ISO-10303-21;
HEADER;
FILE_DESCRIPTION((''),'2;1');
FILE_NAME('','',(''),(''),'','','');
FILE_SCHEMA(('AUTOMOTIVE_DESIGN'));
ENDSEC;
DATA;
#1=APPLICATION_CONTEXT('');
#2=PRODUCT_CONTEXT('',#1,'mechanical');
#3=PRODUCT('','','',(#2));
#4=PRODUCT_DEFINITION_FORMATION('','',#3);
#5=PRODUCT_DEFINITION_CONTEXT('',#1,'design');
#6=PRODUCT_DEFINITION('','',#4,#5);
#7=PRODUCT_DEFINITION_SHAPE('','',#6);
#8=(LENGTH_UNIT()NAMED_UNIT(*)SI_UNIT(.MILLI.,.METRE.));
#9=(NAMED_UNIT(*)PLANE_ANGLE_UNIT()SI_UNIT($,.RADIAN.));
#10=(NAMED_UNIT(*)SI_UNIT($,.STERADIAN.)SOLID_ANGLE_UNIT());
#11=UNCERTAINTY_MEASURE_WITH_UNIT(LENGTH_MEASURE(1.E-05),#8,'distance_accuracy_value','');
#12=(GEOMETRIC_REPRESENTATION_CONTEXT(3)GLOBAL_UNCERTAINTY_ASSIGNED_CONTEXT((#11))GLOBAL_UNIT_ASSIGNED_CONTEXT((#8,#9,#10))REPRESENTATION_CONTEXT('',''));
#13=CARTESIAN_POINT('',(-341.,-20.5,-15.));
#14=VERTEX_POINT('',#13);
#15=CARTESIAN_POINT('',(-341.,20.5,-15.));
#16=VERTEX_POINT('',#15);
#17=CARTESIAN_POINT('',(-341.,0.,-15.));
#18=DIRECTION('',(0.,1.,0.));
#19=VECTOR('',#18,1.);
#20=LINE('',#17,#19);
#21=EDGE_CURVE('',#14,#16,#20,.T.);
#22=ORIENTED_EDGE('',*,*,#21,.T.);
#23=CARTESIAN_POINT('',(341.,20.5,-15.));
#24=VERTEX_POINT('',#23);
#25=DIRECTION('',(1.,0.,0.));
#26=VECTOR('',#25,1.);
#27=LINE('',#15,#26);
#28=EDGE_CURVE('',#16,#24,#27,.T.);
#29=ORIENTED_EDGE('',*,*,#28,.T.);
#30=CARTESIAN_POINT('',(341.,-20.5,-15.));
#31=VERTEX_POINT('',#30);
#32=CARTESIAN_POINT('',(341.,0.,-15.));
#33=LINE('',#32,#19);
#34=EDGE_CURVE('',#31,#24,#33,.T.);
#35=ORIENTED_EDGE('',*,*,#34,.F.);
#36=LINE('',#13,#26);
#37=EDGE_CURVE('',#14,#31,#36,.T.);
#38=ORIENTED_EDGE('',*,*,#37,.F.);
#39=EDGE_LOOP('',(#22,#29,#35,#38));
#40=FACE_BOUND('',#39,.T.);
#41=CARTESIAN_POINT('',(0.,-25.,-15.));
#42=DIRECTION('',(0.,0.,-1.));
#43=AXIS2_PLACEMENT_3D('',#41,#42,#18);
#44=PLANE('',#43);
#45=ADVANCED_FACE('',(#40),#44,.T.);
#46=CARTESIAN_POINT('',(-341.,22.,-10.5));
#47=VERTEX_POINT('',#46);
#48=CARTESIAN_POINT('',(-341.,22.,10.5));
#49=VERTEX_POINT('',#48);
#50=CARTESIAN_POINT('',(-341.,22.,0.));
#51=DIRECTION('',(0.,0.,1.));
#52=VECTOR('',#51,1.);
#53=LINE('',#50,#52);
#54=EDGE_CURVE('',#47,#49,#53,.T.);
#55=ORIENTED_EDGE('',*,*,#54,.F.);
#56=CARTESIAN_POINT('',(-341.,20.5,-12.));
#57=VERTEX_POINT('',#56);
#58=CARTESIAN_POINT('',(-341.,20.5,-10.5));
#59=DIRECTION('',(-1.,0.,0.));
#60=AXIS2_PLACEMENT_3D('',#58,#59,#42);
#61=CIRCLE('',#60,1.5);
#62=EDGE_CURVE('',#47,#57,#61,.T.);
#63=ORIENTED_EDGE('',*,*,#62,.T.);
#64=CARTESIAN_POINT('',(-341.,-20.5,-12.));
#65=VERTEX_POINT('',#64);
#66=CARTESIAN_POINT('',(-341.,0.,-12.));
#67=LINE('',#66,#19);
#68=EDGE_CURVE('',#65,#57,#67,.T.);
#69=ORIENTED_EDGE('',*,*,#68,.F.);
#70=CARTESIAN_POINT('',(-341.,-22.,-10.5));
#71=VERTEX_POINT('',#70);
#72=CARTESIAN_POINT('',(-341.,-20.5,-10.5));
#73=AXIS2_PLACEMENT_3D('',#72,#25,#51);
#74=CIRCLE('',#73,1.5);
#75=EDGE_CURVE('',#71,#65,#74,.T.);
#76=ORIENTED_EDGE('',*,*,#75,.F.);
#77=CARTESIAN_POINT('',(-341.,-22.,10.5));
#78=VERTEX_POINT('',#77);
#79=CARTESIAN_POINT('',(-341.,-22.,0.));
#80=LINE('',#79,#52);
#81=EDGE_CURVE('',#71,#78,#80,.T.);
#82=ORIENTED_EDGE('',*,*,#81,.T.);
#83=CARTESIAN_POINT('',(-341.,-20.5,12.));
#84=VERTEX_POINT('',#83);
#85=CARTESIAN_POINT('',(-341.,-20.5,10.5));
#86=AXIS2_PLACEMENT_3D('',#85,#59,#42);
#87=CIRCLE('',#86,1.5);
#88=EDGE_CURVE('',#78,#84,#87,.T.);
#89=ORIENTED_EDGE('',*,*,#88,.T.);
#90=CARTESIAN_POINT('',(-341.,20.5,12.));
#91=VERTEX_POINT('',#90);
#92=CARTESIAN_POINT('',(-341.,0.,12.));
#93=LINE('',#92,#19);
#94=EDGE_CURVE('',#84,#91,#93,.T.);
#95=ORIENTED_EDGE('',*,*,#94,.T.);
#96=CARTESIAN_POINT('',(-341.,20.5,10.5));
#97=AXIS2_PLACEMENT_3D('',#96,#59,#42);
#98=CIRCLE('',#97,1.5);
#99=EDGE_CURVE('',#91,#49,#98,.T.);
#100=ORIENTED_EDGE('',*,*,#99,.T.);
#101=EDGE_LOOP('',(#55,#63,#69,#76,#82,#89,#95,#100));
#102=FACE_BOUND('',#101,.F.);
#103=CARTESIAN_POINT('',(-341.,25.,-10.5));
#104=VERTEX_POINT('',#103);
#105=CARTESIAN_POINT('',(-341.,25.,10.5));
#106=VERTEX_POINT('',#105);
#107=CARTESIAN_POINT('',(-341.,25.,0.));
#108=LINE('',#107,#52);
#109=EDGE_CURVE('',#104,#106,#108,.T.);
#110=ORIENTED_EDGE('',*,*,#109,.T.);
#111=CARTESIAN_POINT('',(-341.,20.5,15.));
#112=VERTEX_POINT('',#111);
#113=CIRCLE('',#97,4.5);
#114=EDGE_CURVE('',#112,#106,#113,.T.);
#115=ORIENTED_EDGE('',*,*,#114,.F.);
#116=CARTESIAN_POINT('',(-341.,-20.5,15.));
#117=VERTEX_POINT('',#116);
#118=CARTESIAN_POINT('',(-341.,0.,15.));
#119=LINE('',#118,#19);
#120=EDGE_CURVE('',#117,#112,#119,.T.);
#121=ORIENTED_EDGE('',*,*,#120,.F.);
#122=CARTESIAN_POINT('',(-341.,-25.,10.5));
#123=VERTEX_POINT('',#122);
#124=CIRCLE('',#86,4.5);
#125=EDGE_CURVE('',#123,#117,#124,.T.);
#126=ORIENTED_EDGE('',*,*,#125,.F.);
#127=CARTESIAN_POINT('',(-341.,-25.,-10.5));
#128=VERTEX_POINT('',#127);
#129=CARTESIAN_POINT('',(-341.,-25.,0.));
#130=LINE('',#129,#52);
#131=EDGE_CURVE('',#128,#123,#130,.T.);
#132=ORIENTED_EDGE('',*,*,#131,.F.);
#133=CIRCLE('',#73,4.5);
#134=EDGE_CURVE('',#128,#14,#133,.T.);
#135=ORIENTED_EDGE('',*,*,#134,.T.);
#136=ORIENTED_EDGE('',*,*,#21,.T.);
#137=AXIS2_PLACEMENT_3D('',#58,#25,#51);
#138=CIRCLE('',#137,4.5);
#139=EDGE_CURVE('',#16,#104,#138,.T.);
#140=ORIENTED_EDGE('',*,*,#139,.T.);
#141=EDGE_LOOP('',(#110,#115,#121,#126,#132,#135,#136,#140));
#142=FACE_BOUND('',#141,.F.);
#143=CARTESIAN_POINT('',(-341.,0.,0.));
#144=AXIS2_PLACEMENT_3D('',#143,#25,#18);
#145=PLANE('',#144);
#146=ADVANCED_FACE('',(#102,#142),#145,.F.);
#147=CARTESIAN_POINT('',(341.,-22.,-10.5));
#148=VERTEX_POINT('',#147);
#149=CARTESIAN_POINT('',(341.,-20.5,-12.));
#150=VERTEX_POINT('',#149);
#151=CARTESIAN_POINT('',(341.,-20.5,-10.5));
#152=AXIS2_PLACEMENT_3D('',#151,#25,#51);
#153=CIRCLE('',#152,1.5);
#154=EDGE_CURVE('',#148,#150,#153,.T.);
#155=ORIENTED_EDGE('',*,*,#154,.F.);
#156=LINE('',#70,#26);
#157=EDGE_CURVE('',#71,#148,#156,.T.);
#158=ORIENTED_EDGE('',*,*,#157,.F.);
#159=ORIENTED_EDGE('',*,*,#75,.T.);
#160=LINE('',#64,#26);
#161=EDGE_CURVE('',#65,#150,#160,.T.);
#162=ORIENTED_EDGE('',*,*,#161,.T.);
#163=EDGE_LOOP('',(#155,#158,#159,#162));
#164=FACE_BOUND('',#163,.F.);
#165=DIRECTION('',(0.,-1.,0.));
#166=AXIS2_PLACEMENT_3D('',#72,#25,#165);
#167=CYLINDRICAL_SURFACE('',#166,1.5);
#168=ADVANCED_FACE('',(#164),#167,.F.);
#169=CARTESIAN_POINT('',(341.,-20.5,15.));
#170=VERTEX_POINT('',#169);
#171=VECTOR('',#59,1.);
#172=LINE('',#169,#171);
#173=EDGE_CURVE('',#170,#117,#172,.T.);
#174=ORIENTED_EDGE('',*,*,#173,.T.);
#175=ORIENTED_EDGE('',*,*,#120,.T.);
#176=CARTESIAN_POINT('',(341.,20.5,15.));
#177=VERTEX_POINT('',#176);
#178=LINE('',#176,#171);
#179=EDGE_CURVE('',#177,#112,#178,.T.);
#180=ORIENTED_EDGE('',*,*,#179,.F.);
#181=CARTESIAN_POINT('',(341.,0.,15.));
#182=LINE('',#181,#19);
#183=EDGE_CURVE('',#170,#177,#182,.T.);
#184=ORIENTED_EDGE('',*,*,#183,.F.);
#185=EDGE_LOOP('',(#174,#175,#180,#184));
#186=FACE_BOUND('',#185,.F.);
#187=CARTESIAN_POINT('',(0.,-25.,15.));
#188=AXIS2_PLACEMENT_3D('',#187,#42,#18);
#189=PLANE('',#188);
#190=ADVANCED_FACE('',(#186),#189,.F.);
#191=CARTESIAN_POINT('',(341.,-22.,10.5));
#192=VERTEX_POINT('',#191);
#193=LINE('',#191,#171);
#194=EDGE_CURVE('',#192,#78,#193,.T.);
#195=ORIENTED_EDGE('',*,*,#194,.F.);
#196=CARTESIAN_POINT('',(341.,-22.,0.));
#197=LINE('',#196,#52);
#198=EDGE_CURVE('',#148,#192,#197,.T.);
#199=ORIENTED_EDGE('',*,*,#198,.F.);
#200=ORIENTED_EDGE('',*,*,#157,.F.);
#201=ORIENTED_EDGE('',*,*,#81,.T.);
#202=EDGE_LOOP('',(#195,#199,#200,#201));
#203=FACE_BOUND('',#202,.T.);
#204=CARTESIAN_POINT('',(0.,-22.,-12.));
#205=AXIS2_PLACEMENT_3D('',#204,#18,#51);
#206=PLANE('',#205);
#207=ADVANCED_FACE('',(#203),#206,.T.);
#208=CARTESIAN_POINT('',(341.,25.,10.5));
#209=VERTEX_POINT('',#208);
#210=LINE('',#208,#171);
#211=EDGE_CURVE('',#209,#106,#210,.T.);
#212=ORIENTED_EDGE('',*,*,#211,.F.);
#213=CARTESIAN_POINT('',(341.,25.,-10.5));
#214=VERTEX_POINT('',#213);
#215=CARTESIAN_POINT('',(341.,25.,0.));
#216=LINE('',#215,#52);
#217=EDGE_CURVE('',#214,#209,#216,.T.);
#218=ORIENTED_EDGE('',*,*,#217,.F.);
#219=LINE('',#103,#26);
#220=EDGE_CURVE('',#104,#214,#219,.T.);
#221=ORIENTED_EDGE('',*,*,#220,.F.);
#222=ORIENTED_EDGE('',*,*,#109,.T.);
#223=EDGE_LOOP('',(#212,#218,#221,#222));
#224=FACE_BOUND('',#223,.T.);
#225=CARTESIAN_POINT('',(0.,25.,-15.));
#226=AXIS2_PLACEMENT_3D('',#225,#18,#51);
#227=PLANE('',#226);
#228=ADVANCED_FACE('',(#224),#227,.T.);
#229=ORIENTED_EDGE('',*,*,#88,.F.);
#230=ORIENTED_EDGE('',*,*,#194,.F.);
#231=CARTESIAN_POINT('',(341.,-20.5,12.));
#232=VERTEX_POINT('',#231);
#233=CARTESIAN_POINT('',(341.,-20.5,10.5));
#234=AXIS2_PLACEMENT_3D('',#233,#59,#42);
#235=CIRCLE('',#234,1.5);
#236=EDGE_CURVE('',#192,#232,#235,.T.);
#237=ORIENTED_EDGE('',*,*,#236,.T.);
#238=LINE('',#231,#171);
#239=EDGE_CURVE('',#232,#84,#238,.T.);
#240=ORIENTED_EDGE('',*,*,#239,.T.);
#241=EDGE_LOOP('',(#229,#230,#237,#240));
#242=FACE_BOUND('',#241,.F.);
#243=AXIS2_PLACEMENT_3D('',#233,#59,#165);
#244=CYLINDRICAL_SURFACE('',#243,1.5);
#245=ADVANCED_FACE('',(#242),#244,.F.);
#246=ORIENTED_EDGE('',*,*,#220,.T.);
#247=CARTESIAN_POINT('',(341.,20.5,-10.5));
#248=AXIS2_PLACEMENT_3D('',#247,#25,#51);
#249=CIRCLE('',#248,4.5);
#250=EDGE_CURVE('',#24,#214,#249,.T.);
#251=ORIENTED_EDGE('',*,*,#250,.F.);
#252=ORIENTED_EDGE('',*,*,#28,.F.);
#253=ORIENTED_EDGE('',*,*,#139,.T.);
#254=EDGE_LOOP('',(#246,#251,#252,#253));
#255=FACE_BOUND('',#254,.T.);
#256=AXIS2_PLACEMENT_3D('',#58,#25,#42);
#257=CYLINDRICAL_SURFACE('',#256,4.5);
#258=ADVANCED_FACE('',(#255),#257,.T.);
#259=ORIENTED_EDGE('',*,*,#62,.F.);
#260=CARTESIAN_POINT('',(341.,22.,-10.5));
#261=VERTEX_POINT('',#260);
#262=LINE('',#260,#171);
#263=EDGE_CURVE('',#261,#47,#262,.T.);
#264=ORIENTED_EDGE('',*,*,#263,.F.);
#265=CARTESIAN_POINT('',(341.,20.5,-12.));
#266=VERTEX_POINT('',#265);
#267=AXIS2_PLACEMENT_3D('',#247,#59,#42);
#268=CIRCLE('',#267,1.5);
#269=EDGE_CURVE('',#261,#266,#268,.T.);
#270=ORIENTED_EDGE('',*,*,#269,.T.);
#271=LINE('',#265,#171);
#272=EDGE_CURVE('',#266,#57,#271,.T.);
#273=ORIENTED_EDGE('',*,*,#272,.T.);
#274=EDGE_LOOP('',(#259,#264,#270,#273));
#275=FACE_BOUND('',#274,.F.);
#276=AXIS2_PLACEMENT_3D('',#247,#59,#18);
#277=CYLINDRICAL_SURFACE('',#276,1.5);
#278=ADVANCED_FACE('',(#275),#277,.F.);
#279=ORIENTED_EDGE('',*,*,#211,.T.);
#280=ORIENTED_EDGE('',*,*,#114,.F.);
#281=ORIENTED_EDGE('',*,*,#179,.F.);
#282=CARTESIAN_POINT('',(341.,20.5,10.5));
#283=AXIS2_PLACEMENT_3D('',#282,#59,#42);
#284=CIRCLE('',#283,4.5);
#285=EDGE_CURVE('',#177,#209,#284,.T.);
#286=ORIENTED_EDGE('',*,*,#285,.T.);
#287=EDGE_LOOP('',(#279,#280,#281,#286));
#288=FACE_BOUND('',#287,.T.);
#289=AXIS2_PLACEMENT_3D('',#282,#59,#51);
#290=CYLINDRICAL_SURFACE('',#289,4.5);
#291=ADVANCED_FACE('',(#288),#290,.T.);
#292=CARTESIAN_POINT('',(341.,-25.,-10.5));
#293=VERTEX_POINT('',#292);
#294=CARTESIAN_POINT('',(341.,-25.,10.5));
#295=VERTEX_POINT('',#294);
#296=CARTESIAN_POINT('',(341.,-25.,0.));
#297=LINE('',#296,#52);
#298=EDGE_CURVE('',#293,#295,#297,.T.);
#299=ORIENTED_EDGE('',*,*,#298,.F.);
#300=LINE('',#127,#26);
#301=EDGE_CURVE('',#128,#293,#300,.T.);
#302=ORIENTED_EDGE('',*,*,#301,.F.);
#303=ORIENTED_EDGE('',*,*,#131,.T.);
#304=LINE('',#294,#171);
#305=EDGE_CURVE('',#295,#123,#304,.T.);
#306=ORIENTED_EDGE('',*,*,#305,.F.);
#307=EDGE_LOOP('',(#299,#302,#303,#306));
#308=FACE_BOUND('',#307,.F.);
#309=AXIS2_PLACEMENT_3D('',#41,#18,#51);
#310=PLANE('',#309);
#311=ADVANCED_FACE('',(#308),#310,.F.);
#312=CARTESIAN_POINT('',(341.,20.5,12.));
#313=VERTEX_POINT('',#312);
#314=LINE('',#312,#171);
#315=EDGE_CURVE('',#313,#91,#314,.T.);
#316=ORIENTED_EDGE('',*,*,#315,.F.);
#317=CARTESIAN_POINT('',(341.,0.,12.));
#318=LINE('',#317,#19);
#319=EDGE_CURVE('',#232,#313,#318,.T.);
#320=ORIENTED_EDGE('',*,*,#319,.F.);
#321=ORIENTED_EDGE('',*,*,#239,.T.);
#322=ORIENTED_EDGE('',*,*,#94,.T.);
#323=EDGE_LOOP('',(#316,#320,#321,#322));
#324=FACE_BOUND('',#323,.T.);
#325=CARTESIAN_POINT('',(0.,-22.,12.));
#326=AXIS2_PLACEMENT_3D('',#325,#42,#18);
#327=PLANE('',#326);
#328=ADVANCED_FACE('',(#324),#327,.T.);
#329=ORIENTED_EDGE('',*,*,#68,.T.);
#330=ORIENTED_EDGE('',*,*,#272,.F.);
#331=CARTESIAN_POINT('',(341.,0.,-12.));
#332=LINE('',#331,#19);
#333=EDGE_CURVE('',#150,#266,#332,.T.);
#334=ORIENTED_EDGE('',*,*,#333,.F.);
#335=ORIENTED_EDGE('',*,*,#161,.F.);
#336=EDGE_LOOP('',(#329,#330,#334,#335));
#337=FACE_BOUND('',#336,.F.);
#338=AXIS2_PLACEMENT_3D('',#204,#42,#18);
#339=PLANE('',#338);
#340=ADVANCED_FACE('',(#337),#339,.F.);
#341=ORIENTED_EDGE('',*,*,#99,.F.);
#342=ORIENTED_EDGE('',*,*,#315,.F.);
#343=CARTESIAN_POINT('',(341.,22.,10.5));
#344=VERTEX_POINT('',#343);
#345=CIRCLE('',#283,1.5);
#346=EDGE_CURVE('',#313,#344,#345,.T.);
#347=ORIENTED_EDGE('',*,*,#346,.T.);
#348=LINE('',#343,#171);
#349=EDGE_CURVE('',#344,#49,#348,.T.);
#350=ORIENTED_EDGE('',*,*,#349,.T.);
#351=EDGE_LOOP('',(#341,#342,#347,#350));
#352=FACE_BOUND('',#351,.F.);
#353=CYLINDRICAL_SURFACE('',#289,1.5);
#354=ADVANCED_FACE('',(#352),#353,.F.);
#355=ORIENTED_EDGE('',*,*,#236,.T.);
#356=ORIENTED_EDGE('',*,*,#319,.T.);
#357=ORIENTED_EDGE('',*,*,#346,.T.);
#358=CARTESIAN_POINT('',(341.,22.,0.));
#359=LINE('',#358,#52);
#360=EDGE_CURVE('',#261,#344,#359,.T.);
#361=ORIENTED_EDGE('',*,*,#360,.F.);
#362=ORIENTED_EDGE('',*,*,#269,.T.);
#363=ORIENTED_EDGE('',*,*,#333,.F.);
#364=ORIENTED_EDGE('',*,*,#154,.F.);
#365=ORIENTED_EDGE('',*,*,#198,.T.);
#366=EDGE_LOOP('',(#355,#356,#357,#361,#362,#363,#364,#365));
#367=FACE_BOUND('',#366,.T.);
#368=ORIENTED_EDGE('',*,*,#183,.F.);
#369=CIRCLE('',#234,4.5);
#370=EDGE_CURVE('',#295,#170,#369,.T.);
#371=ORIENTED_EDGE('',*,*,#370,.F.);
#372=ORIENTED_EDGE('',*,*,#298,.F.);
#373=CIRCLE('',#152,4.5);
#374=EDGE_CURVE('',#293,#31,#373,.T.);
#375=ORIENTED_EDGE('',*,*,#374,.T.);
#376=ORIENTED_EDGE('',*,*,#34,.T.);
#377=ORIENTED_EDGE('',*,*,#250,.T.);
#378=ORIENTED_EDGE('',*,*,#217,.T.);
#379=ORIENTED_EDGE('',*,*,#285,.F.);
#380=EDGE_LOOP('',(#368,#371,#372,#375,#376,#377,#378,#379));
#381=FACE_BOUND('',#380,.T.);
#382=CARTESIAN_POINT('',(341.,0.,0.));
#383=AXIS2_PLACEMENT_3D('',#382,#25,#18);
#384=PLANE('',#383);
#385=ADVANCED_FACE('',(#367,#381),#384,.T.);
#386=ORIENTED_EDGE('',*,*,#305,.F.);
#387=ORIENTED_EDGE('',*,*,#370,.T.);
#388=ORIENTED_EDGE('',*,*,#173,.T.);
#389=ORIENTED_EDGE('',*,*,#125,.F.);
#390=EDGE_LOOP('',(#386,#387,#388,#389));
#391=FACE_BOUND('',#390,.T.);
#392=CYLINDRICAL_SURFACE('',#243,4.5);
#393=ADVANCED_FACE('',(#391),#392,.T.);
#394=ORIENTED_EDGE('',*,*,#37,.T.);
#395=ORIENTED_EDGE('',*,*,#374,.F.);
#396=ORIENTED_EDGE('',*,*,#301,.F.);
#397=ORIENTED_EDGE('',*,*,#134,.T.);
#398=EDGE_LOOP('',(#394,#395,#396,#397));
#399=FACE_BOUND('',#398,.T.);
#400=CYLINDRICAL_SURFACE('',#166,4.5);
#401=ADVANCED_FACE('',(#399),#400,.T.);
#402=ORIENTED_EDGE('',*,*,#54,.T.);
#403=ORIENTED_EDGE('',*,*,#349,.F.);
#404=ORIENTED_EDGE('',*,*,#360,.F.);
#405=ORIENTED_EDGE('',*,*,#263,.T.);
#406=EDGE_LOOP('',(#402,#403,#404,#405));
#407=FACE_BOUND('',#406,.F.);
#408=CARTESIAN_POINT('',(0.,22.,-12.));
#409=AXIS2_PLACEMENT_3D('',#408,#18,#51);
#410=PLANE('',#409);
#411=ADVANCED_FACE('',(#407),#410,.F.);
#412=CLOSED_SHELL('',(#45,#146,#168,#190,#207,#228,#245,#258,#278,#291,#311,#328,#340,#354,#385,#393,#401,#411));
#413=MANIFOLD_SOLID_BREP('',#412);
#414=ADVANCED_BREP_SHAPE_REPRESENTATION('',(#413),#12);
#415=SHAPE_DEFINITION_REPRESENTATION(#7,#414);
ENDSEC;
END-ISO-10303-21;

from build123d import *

# Parameters (mm, degrees)
F0_W     = 50
F0_H     = 30
F0_W_2   = 44
F0_H_2   = 24
F1_DEPTH = 341
F2_R     = 1.5
F3_R     = 4.5


with BuildPart() as f1:
    # F0 (on Right) → F1 (new body, symmetric)
    with BuildSketch(Plane.YZ):
        Rectangle(F0_W, F0_H)
        Rectangle(F0_W_2, F0_H_2, mode=Mode.SUBTRACT)
    extrude(amount=F1_DEPTH, both=True)

    # F2
    f2_edges = [f1.edges().sort_by_distance(p)[0] for p in [
        (0, -22, -12),
        (0, -22, 12),
        (0, 22, -12),
        (0, 22, 12),
    ]]
    fillet(f2_edges, radius=F2_R)

    # F3
    f3_edges = [f1.edges().sort_by_distance(p)[0] for p in [
        (0, -25, 15),
        (0, -25, -15),
        (0, 25, -15),
        (0, 25, 15),
    ]]
    fillet(f3_edges, radius=F3_R)


solid = f1.part
